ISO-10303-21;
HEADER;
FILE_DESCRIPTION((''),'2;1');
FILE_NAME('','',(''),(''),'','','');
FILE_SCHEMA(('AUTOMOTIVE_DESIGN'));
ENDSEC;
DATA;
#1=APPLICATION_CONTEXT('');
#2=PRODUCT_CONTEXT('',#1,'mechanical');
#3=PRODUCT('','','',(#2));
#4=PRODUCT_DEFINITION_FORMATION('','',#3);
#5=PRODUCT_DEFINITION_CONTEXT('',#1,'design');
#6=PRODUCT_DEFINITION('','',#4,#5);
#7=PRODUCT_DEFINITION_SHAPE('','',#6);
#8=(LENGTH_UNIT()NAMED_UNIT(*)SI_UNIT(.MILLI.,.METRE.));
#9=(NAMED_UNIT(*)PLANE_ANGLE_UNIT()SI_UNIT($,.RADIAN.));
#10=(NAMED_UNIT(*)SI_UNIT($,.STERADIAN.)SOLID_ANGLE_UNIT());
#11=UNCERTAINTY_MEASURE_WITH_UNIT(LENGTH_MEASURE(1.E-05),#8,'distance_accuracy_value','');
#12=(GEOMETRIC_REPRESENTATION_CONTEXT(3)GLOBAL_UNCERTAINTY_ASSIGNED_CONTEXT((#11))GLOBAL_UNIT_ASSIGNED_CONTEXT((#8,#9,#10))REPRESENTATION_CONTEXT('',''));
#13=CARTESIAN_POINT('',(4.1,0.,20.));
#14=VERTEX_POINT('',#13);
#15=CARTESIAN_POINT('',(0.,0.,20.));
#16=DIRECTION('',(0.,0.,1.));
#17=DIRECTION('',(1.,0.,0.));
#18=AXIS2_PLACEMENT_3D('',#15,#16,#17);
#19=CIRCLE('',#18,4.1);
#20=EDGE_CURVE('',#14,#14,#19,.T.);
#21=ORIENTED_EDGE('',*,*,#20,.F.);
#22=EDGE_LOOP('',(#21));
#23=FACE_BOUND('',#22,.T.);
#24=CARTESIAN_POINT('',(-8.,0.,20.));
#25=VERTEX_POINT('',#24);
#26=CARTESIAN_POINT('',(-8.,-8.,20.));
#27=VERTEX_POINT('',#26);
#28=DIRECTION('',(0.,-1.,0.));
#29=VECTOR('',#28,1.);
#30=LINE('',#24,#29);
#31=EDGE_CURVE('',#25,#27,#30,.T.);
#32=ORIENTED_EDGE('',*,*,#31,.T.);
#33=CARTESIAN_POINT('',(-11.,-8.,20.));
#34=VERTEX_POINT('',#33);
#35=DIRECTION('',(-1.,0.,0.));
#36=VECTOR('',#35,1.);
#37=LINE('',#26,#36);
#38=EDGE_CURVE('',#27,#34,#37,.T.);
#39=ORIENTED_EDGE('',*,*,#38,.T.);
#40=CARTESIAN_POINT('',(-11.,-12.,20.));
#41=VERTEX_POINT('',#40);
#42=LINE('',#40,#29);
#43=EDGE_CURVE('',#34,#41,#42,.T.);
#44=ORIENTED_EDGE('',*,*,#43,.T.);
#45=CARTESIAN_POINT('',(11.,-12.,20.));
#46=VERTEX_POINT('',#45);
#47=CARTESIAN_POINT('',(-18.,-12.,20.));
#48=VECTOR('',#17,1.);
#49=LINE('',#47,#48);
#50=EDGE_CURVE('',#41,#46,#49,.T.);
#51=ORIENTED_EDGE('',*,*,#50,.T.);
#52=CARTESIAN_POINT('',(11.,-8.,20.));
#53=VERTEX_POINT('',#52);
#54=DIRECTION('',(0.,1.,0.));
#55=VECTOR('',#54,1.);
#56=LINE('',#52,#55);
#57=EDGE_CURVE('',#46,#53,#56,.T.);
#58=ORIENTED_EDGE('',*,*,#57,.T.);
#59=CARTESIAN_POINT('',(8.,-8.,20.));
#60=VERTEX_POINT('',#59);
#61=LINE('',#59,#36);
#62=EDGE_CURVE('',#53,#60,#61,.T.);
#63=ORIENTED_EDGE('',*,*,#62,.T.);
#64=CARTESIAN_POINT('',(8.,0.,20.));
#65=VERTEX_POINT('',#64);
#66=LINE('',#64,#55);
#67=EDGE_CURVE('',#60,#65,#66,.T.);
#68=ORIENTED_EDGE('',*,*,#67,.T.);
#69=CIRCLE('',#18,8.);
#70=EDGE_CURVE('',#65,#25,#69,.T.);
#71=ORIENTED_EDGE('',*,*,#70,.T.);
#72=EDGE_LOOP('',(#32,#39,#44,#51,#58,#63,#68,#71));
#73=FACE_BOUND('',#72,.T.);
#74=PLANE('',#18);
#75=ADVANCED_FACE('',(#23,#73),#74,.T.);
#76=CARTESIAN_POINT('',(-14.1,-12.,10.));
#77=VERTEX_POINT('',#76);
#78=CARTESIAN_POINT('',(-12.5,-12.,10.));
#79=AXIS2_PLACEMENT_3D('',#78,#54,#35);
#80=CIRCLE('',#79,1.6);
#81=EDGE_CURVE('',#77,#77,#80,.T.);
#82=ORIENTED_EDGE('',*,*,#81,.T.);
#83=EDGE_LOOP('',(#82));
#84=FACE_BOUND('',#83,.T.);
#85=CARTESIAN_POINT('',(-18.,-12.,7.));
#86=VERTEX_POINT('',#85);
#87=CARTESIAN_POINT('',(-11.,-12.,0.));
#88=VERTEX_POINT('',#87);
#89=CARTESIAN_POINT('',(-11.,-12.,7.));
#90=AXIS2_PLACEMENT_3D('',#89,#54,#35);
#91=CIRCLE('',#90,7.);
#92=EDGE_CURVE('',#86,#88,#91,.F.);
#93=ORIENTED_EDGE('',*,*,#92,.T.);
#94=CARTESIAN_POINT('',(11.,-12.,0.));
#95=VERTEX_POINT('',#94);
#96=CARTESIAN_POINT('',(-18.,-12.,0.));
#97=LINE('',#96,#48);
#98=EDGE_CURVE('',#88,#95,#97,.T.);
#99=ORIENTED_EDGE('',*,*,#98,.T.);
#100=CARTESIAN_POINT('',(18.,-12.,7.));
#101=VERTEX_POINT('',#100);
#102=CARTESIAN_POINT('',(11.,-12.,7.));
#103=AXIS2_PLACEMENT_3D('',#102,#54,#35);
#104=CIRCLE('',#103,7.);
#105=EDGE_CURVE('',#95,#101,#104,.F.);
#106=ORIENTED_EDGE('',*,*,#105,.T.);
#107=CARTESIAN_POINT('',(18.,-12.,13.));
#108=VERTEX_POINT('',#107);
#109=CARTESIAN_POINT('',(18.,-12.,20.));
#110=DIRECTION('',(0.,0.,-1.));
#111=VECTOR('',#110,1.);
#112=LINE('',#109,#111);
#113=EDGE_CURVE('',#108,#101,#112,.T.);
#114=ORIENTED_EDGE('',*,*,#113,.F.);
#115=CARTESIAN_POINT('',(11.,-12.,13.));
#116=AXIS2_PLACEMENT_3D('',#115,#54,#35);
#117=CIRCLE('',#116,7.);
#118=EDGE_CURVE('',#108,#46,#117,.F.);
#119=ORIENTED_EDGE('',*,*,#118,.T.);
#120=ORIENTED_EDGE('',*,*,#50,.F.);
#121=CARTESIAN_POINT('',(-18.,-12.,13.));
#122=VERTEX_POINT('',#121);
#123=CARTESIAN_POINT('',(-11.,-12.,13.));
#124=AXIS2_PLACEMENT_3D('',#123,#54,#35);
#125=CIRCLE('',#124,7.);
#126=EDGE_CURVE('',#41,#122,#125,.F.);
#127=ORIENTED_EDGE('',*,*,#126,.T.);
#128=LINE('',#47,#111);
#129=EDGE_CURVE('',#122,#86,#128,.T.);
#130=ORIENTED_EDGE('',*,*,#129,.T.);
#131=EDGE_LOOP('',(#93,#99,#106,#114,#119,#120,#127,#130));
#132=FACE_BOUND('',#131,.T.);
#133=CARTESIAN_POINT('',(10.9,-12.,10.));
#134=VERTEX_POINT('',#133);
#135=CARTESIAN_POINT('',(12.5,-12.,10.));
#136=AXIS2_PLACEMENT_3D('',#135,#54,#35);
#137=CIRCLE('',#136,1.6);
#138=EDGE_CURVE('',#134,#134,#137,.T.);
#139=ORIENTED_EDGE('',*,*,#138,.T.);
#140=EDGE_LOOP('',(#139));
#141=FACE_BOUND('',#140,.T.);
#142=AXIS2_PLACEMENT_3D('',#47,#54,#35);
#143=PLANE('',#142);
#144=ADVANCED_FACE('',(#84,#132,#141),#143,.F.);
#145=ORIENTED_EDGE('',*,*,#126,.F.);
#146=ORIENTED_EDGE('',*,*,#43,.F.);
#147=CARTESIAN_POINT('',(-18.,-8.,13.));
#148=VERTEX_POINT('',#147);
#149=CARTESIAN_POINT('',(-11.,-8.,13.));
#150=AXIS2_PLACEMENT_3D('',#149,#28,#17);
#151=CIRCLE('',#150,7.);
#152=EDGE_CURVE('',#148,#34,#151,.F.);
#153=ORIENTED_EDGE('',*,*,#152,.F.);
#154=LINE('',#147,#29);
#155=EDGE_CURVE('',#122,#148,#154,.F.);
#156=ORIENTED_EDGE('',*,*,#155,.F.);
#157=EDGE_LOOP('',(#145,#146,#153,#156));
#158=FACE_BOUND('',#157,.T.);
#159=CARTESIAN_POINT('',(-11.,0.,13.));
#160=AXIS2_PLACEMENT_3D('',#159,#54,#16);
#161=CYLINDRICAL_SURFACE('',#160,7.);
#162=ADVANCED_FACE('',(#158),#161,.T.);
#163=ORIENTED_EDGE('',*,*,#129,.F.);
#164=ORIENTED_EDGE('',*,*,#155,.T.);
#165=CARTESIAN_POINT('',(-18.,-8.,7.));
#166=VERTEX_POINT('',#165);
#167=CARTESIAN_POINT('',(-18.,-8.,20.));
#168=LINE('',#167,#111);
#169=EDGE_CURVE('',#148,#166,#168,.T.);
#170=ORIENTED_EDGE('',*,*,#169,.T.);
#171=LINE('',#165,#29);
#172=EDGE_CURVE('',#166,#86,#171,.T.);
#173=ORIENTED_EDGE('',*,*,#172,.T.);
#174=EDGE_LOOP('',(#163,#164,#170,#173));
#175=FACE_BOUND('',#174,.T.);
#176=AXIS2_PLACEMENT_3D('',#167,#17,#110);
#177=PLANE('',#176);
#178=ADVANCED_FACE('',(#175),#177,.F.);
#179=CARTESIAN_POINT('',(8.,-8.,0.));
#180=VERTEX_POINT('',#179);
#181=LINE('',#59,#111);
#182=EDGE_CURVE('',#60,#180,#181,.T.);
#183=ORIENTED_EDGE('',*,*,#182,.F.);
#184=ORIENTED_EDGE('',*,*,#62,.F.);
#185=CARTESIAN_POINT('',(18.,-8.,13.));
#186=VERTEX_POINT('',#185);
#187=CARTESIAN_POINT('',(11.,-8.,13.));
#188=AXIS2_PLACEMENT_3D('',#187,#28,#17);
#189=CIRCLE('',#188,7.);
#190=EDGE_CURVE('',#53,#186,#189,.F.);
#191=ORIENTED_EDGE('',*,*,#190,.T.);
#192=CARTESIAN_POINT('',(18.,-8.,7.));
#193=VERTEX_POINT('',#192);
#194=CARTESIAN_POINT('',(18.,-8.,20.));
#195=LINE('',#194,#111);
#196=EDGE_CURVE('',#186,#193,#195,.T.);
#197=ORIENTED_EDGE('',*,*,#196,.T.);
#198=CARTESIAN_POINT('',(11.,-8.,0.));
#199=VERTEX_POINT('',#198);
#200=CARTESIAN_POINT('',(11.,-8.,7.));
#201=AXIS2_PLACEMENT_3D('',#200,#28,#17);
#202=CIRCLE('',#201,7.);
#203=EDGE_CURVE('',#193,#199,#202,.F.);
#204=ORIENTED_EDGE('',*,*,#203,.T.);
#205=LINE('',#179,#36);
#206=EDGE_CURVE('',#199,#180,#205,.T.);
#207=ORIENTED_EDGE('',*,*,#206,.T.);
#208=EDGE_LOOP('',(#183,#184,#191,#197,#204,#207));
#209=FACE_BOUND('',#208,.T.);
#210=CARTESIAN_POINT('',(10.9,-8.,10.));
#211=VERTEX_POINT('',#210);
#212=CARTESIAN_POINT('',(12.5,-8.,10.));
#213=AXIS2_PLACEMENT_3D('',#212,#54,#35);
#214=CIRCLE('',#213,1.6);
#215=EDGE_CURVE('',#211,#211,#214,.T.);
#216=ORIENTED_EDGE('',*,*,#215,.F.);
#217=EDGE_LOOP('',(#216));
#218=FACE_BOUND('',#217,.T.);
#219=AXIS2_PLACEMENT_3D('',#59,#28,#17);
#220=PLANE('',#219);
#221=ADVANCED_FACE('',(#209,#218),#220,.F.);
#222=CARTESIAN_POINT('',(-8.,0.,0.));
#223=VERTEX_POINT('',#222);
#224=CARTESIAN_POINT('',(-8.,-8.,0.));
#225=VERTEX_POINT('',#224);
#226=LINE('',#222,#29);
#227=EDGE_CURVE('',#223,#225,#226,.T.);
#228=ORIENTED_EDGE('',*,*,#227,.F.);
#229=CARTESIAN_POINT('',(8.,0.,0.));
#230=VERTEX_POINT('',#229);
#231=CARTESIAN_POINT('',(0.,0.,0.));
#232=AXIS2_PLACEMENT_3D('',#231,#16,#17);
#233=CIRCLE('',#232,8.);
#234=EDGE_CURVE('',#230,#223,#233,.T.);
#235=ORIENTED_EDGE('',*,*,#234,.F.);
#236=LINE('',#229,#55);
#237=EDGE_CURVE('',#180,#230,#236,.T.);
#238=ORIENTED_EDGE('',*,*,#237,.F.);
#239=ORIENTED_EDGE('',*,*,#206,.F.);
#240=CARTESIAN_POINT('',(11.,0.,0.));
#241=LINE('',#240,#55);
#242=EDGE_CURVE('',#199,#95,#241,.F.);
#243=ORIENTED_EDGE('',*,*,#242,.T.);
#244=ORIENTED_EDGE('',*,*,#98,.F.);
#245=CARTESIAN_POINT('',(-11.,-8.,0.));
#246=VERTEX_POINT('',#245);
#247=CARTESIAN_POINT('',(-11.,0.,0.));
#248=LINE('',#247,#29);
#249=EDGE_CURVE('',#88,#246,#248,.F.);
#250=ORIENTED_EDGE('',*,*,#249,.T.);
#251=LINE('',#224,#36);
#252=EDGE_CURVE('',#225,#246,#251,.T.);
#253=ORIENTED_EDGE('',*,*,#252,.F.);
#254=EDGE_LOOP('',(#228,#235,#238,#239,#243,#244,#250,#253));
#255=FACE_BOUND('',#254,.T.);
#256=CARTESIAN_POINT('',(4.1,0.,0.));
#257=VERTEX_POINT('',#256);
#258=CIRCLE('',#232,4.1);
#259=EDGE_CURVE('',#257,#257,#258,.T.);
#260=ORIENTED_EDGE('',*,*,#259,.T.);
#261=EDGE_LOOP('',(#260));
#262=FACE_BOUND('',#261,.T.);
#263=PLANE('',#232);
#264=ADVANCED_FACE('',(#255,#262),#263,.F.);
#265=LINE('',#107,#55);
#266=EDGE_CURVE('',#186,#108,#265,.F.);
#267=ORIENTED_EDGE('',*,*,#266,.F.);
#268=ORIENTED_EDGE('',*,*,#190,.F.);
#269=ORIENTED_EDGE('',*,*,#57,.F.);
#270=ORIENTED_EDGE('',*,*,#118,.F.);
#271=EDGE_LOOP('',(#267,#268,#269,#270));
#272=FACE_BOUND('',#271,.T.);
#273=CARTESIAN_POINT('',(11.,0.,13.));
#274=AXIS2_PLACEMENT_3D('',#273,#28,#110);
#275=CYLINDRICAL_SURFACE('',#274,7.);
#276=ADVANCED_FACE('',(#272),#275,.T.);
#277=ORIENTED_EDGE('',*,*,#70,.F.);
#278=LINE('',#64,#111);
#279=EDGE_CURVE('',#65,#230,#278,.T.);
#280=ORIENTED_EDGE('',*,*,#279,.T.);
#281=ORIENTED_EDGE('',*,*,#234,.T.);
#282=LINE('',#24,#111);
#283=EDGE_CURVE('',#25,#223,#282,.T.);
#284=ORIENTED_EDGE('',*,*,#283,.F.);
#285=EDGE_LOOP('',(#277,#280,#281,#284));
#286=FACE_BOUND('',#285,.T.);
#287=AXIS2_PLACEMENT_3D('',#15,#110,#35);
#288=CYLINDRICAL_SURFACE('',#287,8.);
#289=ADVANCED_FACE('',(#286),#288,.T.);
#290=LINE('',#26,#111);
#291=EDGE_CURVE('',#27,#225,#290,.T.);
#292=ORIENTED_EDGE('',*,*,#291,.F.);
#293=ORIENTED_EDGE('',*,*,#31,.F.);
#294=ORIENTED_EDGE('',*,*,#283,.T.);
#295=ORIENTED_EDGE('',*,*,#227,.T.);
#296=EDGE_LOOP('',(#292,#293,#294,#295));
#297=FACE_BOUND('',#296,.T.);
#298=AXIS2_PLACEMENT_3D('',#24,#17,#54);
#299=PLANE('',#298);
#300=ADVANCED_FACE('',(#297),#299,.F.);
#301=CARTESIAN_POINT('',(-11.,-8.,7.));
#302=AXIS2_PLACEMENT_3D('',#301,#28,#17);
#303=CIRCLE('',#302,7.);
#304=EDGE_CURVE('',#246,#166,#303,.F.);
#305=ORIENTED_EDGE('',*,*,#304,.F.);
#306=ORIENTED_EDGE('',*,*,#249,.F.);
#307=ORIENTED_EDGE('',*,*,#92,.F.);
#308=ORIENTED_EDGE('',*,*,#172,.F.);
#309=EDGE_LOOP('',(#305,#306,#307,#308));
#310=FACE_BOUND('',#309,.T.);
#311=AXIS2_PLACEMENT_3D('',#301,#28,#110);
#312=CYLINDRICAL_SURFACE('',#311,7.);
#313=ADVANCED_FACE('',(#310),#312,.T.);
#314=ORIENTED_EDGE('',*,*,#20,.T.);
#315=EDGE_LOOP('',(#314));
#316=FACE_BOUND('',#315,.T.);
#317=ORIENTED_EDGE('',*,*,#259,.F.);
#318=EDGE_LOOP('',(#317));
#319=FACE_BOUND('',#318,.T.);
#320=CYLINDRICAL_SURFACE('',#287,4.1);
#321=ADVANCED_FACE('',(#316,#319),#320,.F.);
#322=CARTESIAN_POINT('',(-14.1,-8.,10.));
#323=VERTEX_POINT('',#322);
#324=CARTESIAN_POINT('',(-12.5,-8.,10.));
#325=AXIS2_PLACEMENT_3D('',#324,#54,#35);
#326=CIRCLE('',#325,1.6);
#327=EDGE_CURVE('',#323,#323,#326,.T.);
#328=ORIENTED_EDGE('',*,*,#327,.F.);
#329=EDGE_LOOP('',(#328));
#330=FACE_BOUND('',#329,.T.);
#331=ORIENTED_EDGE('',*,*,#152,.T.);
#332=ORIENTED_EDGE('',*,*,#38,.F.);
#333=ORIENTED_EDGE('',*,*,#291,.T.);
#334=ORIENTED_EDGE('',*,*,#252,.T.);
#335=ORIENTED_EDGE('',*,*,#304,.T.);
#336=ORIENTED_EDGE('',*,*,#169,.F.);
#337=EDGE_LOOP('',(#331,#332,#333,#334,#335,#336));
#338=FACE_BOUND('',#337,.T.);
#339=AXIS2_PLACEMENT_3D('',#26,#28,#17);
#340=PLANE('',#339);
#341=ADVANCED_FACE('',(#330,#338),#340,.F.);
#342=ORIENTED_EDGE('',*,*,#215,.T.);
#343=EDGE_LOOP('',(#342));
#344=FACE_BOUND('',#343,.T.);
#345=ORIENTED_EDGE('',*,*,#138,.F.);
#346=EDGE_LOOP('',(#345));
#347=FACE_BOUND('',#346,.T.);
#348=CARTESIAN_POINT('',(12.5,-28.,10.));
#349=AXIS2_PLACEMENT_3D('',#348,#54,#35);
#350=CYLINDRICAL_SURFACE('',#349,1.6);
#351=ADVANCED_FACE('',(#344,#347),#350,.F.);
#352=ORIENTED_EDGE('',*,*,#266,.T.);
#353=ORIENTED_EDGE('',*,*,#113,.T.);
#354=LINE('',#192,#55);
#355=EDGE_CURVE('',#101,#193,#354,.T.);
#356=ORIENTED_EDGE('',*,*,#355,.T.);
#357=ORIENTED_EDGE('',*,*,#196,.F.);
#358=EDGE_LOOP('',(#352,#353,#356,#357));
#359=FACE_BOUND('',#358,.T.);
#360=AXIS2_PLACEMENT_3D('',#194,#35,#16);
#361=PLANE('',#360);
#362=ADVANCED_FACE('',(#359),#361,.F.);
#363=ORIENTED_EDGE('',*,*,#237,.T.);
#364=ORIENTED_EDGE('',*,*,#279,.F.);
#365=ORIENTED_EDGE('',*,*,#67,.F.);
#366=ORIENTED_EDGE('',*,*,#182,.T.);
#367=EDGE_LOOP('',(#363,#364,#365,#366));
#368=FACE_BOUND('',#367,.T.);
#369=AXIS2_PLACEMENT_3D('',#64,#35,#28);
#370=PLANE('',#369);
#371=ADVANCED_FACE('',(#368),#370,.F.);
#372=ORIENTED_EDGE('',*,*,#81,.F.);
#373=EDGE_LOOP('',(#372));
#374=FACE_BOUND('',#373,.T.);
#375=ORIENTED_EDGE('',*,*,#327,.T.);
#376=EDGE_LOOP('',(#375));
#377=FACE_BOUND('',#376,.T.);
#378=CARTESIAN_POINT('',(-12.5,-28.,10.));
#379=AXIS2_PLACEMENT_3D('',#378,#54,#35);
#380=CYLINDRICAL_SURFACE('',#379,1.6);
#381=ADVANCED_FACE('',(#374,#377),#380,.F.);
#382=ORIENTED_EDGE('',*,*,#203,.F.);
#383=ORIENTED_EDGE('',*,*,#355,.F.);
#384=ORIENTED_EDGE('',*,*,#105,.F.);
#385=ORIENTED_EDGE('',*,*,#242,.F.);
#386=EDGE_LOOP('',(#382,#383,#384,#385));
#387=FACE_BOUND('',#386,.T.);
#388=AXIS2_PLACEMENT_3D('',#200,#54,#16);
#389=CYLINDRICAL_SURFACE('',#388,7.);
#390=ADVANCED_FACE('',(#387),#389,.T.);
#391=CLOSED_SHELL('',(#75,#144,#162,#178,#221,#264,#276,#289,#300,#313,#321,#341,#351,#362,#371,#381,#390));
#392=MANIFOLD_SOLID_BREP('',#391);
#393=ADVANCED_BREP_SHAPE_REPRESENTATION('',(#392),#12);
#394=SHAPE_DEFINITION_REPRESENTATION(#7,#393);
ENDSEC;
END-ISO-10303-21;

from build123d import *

# Parameters (mm, degrees)
ESBO_O1_R                = 4.1
RESSALTO_EXTRUS_O1_DEPTH = 20
ESBO_O2_R                = 1.6
CORTE_EXTRUS_O1_DEPTH    = 20
FILETE1_R                = 7


with BuildPart() as part:
    # Esboço1 → Ressalto-extrusão1 (new body)
    with BuildSketch(Plane.XY):
        with BuildLine():
            Line((-8, 0), (-8, -8))
            Line((-8, -8), (-18, -8))
            Line((-18, -8), (-18, -12))
            Line((-18, -12), (18, -12))
            Line((18, -12), (18, -8))
            Line((18, -8), (8, -8))
            Line((8, -8), (8, 0))
            ThreePointArc((8, 0), (0, 8), (-8, 0))
        make_face()
        Circle(ESBO_O1_R, mode=Mode.SUBTRACT)
    extrude(amount=RESSALTO_EXTRUS_O1_DEPTH)

    # Esboço2 → Corte-extrusão1 (cut)
    with BuildSketch(Plane(origin=(0, -8, 0), x_dir=(1, 0, 0), z_dir=(0, 1, 0))):
        with Locations(Location((-12.5, -10, 0), (0, 0, 180))):
            Circle(ESBO_O2_R)
        with Locations(Location((12.5, -10, 0), (0, 0, 180))):
            Circle(ESBO_O2_R)
    extrude(amount=-CORTE_EXTRUS_O1_DEPTH, mode=Mode.SUBTRACT)

    # Filete1
    filete1_edges = [part.edges().sort_by_distance(p)[0] for p in [
        (-18, -10, 20),
        (18, -10, 20),
        (18, -10, 0),
        (-18, -10, 0),
    ]]
    fillet(filete1_edges, radius=FILETE1_R)


solid = part.part
